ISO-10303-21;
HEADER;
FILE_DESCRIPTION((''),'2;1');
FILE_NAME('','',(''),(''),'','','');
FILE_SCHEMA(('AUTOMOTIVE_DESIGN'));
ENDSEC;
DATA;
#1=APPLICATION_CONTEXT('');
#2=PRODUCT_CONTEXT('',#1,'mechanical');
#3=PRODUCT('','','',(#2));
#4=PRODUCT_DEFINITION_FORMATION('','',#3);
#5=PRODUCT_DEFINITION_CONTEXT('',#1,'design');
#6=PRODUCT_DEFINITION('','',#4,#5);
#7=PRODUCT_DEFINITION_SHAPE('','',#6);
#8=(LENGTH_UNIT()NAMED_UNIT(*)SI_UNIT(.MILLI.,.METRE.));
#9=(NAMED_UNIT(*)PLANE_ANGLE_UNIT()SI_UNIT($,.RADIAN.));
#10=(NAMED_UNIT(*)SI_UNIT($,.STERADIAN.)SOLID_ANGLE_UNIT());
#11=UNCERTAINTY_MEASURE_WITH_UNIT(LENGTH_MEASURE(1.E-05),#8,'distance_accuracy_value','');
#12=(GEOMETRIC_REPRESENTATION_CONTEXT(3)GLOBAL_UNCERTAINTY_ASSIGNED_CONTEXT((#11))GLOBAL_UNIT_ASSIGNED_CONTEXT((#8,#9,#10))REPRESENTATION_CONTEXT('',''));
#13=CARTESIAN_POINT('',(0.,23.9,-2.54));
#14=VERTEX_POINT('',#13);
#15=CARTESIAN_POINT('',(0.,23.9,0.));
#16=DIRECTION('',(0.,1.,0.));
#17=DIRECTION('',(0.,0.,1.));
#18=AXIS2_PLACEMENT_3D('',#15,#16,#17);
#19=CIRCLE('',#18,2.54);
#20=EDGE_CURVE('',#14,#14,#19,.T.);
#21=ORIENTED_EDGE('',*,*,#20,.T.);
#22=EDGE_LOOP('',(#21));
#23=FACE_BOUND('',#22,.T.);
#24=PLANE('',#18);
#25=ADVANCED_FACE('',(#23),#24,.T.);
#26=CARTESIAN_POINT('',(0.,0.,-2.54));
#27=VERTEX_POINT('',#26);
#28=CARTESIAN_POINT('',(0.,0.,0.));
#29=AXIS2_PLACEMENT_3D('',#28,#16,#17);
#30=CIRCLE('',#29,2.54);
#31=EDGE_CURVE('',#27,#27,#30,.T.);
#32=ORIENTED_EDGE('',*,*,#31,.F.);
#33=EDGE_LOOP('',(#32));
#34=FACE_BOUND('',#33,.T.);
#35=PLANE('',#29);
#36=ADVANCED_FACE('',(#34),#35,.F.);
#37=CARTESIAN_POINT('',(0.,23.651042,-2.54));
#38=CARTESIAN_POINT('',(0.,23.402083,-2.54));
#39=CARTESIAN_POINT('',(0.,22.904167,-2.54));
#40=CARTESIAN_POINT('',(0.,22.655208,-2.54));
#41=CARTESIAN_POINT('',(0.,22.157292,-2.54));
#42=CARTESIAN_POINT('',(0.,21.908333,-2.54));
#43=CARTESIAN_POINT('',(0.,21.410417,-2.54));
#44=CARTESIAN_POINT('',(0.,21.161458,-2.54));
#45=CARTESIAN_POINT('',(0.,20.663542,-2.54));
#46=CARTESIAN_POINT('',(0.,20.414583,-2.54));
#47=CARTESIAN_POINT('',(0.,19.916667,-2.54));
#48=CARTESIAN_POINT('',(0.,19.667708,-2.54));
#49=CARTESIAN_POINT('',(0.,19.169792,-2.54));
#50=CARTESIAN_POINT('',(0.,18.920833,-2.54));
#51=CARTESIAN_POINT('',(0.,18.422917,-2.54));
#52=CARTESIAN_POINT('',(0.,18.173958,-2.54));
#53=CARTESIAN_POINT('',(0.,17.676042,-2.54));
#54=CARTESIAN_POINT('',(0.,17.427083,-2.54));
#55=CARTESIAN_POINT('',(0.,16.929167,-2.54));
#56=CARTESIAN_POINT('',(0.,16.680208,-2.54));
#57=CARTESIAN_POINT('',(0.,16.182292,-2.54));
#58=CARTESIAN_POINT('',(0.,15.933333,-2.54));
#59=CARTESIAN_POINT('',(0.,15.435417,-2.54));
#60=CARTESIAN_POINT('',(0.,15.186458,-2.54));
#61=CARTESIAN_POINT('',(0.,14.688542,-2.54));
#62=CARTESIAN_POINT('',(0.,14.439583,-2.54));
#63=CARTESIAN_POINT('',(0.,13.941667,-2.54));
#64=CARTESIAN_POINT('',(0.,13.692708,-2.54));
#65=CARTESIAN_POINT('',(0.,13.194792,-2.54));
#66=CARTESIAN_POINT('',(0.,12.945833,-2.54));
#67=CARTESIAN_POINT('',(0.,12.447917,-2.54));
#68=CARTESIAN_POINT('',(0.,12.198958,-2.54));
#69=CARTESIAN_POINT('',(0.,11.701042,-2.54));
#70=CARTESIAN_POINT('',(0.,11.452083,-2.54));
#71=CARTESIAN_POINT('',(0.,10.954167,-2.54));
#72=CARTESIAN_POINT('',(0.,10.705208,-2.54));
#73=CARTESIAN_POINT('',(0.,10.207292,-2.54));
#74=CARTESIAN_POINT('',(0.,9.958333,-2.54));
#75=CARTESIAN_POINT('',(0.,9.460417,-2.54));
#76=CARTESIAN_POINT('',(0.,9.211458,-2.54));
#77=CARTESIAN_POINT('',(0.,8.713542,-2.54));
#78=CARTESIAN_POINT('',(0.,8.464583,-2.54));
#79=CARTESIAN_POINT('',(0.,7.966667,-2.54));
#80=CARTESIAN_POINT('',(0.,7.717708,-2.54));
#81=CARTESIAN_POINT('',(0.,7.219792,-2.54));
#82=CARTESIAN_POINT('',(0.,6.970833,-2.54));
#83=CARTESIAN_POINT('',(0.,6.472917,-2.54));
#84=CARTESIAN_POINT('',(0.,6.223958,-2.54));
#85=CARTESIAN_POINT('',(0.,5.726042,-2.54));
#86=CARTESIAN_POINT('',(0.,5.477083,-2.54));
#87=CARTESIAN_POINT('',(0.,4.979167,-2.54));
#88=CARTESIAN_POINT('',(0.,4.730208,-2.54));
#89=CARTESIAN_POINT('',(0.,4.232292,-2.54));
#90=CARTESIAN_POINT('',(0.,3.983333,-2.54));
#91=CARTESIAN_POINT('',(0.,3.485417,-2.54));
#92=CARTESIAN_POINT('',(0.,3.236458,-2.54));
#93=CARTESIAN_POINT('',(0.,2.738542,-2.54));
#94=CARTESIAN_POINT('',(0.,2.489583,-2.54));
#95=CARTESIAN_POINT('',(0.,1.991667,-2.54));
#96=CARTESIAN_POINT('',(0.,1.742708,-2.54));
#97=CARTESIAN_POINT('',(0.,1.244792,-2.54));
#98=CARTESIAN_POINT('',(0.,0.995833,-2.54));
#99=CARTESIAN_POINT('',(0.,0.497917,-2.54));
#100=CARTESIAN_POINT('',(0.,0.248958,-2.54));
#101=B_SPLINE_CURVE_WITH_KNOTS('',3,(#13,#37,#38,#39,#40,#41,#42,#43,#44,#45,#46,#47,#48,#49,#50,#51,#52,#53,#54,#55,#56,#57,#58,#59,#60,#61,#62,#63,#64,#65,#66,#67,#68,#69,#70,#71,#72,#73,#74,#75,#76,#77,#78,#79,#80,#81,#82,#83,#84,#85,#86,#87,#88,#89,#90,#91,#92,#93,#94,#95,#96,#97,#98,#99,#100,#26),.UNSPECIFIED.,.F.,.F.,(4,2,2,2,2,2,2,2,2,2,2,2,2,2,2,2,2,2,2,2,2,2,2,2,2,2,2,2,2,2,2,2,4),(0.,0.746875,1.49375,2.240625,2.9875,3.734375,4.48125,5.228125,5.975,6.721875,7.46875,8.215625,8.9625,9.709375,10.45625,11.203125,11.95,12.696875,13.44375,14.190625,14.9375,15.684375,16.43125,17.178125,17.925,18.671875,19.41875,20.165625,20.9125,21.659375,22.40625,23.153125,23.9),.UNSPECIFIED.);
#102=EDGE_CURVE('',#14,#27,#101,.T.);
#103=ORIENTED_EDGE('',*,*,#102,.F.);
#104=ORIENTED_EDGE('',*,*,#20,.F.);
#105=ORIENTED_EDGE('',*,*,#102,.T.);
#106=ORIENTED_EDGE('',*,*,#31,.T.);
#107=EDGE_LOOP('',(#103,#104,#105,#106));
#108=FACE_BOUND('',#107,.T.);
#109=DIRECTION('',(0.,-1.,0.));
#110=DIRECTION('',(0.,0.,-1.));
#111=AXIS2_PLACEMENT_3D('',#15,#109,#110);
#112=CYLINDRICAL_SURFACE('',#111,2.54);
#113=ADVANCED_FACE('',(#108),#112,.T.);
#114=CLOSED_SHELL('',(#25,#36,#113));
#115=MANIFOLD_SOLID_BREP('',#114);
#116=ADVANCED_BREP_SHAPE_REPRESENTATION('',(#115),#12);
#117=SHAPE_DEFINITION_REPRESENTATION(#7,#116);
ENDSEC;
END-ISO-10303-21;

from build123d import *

# Parameters (mm, degrees)
SKETCH1_R           = 2.54
BOSS_EXTRUDE1_DEPTH = 23.9


with BuildPart() as part:
    # Sketch1 → Boss-Extrude1 (new body)
    with BuildSketch(Plane(origin=(0, 0, 0), x_dir=(1, 0, 0), z_dir=(0, 1, 0))):
        with Locations(Location((0, 0, 0), (0, 0, 90))):
            Circle(SKETCH1_R)
    extrude(amount=BOSS_EXTRUDE1_DEPTH)


solid = part.part
